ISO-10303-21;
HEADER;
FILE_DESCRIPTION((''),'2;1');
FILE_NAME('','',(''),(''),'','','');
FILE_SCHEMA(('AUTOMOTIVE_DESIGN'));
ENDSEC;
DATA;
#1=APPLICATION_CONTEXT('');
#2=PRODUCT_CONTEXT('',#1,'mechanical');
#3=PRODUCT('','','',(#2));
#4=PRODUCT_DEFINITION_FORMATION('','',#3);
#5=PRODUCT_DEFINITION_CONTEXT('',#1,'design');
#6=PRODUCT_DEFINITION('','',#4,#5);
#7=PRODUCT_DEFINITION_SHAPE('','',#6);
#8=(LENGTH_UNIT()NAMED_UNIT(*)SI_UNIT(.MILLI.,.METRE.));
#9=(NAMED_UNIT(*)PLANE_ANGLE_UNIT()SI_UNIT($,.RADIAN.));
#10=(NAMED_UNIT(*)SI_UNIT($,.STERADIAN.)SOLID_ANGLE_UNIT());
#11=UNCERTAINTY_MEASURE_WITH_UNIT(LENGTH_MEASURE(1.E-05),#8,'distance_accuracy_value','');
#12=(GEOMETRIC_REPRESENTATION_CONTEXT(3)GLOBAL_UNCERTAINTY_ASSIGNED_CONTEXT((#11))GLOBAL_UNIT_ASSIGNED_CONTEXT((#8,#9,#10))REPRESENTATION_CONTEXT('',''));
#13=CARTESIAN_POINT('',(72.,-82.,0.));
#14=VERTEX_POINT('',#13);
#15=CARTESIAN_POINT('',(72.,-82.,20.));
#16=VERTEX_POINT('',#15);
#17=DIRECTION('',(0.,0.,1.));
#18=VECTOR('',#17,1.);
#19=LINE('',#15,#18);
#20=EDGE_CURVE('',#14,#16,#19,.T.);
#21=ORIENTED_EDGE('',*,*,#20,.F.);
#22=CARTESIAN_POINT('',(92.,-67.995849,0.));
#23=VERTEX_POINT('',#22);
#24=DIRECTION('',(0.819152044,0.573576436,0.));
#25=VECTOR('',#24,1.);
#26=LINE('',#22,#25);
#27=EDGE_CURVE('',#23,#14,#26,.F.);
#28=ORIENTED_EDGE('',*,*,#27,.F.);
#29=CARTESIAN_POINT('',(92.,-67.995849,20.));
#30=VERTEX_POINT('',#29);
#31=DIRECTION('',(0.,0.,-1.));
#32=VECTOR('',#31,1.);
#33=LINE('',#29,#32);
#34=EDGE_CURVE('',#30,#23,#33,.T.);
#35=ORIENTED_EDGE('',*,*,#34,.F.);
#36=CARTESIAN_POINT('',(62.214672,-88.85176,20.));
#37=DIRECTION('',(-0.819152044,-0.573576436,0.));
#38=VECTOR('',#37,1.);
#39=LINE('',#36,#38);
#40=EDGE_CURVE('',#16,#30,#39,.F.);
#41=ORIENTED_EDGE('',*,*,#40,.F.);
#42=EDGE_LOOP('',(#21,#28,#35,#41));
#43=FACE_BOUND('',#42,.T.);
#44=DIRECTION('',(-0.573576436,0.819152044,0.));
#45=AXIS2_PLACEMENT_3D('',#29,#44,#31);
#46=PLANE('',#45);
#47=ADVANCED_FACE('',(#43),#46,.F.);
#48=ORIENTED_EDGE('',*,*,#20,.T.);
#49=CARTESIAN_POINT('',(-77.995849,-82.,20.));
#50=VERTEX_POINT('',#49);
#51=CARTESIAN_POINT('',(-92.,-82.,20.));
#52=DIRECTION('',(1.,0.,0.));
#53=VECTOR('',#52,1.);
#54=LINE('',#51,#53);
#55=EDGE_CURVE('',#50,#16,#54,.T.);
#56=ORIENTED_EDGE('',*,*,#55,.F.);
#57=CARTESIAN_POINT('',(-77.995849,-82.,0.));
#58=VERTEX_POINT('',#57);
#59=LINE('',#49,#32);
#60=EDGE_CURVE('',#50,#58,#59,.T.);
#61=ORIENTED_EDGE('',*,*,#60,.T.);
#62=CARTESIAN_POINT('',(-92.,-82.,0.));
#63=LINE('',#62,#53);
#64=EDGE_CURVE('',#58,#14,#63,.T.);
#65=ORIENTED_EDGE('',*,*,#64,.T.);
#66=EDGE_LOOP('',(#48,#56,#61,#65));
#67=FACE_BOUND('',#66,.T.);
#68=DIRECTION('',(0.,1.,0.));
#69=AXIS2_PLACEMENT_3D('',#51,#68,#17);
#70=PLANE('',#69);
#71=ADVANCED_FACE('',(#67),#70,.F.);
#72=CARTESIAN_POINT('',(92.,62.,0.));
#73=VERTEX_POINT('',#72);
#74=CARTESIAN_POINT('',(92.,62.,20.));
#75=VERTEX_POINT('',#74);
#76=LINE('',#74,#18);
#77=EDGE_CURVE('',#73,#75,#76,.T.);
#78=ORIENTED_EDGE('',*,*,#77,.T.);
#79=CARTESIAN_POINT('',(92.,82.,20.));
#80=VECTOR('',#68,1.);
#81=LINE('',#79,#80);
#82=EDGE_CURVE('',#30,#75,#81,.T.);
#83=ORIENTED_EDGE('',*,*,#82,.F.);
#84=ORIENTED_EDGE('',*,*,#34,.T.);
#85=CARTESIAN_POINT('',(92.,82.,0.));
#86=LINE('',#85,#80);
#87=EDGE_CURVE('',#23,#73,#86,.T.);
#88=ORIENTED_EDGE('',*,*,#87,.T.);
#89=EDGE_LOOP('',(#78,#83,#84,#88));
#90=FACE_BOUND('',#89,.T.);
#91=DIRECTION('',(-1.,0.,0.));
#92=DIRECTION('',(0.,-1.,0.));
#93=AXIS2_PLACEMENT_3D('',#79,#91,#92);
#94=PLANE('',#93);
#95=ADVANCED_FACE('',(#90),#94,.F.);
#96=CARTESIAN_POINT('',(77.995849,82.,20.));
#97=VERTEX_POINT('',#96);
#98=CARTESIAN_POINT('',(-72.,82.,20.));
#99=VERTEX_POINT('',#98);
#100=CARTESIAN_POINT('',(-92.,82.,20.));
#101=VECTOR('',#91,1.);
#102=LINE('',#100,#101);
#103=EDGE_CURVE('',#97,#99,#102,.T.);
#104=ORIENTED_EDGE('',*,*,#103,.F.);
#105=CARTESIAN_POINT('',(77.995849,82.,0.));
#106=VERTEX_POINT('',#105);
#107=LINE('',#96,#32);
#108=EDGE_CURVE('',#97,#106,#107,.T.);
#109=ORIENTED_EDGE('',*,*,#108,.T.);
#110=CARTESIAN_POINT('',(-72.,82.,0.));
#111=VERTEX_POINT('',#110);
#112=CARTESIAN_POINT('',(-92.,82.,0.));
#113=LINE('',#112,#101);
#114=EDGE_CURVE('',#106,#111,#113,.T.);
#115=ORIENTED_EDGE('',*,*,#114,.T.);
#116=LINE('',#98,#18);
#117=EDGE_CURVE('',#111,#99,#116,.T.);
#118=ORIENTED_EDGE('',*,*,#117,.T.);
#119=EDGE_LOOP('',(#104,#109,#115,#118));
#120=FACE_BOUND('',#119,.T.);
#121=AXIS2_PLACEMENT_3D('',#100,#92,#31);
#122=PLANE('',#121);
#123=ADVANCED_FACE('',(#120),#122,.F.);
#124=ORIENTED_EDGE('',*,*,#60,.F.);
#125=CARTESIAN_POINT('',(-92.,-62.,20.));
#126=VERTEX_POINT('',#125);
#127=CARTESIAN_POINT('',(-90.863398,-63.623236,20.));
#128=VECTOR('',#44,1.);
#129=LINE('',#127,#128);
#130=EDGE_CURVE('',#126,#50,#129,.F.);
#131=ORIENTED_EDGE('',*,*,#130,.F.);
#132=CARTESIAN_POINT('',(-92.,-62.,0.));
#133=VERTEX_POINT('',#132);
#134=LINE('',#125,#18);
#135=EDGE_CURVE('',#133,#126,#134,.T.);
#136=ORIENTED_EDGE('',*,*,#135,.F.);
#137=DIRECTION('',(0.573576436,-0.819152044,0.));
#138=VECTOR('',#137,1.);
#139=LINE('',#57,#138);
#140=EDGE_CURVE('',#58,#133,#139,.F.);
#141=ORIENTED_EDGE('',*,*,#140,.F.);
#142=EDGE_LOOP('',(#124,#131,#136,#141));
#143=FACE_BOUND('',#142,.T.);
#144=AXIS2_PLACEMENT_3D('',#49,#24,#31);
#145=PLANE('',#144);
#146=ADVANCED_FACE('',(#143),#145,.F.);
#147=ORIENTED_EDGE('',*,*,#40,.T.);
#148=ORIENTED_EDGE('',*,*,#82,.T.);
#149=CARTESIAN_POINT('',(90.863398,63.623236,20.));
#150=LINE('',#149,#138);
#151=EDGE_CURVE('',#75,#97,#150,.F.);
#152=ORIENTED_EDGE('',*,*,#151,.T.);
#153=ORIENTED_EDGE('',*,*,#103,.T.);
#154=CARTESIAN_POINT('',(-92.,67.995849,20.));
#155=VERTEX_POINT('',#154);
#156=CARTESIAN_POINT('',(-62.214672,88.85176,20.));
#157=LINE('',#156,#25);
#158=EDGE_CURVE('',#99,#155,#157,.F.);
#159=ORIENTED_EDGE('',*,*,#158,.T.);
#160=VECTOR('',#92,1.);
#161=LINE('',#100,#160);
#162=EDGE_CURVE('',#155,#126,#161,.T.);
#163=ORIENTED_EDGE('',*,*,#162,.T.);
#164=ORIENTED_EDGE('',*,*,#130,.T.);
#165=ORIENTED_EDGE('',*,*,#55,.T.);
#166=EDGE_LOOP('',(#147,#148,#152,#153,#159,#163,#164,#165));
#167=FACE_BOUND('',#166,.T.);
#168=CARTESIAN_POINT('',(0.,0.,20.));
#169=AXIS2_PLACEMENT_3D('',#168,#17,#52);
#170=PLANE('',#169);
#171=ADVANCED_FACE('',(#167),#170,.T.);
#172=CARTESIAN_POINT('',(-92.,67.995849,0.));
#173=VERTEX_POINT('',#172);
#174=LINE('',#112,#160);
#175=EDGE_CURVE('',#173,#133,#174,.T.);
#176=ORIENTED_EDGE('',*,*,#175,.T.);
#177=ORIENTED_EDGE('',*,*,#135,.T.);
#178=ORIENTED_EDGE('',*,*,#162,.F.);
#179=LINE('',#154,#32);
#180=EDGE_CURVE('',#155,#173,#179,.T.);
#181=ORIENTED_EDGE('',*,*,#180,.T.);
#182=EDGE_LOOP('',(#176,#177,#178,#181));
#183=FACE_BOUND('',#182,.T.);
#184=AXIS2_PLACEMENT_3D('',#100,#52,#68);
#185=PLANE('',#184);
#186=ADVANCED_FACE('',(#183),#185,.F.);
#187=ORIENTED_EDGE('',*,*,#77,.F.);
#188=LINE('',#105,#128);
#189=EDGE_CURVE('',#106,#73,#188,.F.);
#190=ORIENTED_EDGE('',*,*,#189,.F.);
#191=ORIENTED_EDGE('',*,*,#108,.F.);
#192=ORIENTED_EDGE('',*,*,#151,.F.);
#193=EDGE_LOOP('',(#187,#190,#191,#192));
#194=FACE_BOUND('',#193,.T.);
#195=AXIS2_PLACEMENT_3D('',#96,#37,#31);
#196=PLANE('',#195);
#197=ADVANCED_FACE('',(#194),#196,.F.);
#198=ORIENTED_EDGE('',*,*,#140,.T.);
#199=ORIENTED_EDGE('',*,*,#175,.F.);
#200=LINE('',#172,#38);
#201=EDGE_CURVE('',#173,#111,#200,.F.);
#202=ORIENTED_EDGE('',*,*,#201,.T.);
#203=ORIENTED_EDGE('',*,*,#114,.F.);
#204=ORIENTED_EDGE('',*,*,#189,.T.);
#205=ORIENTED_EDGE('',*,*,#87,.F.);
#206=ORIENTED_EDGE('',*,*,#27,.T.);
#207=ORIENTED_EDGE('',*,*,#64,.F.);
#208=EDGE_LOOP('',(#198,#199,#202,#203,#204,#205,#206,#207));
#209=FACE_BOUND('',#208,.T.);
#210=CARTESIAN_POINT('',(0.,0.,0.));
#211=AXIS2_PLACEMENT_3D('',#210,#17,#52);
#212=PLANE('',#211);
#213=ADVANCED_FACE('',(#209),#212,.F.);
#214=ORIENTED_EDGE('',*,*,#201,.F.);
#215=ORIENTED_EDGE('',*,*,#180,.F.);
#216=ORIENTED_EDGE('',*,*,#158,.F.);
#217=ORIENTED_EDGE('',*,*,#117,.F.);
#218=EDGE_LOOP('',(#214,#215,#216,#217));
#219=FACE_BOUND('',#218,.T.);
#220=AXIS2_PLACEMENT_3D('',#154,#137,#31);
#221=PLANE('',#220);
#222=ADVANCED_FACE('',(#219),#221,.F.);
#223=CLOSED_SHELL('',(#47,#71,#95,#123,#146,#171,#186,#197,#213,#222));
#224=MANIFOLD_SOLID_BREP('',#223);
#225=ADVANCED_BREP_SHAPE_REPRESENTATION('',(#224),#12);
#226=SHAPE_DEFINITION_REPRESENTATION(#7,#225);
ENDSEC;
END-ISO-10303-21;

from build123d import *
from OCP.BRepFilletAPI import BRepFilletAPI_MakeChamfer

# Parameters (mm, degrees)
SKETCH_1_W      = 184
SKETCH_1_H      = 164
EXTRUDE_1_DEPTH = 20
CHAMFER_1_SIZE  = 20
CHAMFER_1_SIZE2 = 14.004150764


with BuildPart() as part:
    # 草图1 → 凸台-拉伸1 (new body)
    with BuildSketch(Plane.XY):
        Rectangle(SKETCH_1_W, SKETCH_1_H)
    extrude(amount=EXTRUDE_1_DEPTH)

    # 倒角1: one chamfer whose edges measure the first distance from different faces: ONE call of the kernel's chamfer builder (chamfer() names one face for all edges)
    chamfer_1_edges_1 = [part.edges().sort_by_distance(p)[0] for p in [
        (92, -82, 10),
    ]]
    chamfer_1_side_1 = [part.faces().sort_by_distance(p)[0] for p in [
        (0, -82, 10),
    ]]
    chamfer_1_edges_2 = [part.edges().sort_by_distance(p)[0] for p in [
        (-92, -82, 10),
    ]]
    chamfer_1_side_2 = [part.faces().sort_by_distance(p)[0] for p in [
        (-92, 0, 10),
    ]]
    chamfer_1_edges_3 = [part.edges().sort_by_distance(p)[0] for p in [
        (-92, 82, 10),
    ]]
    chamfer_1_side_3 = [part.faces().sort_by_distance(p)[0] for p in [
        (0, 82, 10),
    ]]
    chamfer_1_edges_4 = [part.edges().sort_by_distance(p)[0] for p in [
        (92, 82, 10),
    ]]
    chamfer_1_side_4 = [part.faces().sort_by_distance(p)[0] for p in [
        (92, 0, 10),
    ]]
    chamfer_1 = BRepFilletAPI_MakeChamfer(part.part.solid().wrapped)
    for e in chamfer_1_edges_1:
        chamfer_1.Add(CHAMFER_1_SIZE, CHAMFER_1_SIZE2, e.wrapped, chamfer_1_side_1[0].wrapped)  # the first distance lies on this face
    for e in chamfer_1_edges_2:
        chamfer_1.Add(CHAMFER_1_SIZE, CHAMFER_1_SIZE2, e.wrapped, chamfer_1_side_2[0].wrapped)  # the first distance lies on this face
    for e in chamfer_1_edges_3:
        chamfer_1.Add(CHAMFER_1_SIZE, CHAMFER_1_SIZE2, e.wrapped, chamfer_1_side_3[0].wrapped)  # the first distance lies on this face
    for e in chamfer_1_edges_4:
        chamfer_1.Add(CHAMFER_1_SIZE, CHAMFER_1_SIZE2, e.wrapped, chamfer_1_side_4[0].wrapped)  # the first distance lies on this face
    add(Compound.cast(chamfer_1.Shape()), mode=Mode.REPLACE)


solid = part.part
